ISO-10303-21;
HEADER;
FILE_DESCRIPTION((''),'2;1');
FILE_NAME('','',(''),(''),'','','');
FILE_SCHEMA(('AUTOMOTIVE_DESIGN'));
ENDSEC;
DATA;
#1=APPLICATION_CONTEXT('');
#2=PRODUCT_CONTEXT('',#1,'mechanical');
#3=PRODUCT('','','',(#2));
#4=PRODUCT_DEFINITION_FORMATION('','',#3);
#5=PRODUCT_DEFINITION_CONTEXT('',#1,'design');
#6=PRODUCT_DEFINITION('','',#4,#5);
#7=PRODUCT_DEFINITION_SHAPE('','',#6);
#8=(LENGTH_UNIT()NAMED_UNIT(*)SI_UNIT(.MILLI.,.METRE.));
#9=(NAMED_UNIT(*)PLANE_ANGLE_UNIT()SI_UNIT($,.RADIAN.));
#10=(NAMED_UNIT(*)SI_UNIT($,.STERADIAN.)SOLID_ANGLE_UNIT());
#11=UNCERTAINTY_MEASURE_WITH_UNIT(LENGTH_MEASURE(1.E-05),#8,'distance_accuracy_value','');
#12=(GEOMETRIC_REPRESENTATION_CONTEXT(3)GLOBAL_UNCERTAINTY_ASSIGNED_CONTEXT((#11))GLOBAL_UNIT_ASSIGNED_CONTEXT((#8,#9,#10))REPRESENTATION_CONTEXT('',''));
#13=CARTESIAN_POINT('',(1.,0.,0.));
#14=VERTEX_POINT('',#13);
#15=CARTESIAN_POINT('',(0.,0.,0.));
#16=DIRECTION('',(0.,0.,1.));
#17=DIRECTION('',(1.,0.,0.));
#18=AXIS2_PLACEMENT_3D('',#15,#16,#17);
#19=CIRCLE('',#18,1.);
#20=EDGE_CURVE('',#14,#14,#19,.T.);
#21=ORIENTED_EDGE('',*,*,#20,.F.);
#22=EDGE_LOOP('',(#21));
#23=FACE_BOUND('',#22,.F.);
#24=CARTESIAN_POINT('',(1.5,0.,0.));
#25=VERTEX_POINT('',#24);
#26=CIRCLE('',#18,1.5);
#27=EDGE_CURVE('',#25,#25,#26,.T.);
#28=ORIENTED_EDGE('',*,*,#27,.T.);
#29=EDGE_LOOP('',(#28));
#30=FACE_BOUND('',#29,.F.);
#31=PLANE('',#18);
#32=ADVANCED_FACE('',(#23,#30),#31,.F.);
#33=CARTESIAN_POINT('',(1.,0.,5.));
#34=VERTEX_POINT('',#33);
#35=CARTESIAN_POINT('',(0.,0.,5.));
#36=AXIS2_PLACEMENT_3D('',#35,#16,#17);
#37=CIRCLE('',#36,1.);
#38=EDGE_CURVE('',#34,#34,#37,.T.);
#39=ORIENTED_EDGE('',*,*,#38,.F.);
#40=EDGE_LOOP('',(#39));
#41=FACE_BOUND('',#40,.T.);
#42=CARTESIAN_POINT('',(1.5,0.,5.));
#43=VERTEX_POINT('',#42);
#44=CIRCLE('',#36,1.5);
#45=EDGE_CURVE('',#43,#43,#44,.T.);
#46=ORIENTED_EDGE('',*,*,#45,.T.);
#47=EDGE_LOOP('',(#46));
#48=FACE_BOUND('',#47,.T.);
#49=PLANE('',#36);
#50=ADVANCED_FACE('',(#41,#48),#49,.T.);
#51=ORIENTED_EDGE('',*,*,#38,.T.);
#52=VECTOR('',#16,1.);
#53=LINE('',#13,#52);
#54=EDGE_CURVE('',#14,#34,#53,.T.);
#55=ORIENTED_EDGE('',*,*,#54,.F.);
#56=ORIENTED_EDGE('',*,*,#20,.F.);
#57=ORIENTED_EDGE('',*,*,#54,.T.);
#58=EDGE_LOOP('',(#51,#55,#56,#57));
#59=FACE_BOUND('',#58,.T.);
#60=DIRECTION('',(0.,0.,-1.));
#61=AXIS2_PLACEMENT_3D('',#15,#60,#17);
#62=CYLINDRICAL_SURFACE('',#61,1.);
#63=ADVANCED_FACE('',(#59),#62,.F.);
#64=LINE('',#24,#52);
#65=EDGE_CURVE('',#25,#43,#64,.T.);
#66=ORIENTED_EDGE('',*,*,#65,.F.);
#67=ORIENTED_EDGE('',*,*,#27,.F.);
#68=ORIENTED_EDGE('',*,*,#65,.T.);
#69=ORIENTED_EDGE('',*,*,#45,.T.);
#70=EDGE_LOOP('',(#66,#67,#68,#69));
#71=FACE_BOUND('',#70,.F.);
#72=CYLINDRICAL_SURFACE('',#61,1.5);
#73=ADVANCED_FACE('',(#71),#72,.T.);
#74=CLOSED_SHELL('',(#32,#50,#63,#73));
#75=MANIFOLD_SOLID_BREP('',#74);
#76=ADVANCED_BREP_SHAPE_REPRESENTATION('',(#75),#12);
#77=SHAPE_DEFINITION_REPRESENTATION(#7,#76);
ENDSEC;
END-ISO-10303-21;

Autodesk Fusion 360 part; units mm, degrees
sketch "草图1" plane through (0, 0, 0) normal (0, 0, 1) x (1, 0, 0)
  circle A0 centre (0, 0) radius 1.5
  circle A1 centre (0, 0) radius 1
  dimension "d1" = 3
  dimension "d2" = 2
extrude "拉伸1" add sketch "草图1" along normal blind 5
